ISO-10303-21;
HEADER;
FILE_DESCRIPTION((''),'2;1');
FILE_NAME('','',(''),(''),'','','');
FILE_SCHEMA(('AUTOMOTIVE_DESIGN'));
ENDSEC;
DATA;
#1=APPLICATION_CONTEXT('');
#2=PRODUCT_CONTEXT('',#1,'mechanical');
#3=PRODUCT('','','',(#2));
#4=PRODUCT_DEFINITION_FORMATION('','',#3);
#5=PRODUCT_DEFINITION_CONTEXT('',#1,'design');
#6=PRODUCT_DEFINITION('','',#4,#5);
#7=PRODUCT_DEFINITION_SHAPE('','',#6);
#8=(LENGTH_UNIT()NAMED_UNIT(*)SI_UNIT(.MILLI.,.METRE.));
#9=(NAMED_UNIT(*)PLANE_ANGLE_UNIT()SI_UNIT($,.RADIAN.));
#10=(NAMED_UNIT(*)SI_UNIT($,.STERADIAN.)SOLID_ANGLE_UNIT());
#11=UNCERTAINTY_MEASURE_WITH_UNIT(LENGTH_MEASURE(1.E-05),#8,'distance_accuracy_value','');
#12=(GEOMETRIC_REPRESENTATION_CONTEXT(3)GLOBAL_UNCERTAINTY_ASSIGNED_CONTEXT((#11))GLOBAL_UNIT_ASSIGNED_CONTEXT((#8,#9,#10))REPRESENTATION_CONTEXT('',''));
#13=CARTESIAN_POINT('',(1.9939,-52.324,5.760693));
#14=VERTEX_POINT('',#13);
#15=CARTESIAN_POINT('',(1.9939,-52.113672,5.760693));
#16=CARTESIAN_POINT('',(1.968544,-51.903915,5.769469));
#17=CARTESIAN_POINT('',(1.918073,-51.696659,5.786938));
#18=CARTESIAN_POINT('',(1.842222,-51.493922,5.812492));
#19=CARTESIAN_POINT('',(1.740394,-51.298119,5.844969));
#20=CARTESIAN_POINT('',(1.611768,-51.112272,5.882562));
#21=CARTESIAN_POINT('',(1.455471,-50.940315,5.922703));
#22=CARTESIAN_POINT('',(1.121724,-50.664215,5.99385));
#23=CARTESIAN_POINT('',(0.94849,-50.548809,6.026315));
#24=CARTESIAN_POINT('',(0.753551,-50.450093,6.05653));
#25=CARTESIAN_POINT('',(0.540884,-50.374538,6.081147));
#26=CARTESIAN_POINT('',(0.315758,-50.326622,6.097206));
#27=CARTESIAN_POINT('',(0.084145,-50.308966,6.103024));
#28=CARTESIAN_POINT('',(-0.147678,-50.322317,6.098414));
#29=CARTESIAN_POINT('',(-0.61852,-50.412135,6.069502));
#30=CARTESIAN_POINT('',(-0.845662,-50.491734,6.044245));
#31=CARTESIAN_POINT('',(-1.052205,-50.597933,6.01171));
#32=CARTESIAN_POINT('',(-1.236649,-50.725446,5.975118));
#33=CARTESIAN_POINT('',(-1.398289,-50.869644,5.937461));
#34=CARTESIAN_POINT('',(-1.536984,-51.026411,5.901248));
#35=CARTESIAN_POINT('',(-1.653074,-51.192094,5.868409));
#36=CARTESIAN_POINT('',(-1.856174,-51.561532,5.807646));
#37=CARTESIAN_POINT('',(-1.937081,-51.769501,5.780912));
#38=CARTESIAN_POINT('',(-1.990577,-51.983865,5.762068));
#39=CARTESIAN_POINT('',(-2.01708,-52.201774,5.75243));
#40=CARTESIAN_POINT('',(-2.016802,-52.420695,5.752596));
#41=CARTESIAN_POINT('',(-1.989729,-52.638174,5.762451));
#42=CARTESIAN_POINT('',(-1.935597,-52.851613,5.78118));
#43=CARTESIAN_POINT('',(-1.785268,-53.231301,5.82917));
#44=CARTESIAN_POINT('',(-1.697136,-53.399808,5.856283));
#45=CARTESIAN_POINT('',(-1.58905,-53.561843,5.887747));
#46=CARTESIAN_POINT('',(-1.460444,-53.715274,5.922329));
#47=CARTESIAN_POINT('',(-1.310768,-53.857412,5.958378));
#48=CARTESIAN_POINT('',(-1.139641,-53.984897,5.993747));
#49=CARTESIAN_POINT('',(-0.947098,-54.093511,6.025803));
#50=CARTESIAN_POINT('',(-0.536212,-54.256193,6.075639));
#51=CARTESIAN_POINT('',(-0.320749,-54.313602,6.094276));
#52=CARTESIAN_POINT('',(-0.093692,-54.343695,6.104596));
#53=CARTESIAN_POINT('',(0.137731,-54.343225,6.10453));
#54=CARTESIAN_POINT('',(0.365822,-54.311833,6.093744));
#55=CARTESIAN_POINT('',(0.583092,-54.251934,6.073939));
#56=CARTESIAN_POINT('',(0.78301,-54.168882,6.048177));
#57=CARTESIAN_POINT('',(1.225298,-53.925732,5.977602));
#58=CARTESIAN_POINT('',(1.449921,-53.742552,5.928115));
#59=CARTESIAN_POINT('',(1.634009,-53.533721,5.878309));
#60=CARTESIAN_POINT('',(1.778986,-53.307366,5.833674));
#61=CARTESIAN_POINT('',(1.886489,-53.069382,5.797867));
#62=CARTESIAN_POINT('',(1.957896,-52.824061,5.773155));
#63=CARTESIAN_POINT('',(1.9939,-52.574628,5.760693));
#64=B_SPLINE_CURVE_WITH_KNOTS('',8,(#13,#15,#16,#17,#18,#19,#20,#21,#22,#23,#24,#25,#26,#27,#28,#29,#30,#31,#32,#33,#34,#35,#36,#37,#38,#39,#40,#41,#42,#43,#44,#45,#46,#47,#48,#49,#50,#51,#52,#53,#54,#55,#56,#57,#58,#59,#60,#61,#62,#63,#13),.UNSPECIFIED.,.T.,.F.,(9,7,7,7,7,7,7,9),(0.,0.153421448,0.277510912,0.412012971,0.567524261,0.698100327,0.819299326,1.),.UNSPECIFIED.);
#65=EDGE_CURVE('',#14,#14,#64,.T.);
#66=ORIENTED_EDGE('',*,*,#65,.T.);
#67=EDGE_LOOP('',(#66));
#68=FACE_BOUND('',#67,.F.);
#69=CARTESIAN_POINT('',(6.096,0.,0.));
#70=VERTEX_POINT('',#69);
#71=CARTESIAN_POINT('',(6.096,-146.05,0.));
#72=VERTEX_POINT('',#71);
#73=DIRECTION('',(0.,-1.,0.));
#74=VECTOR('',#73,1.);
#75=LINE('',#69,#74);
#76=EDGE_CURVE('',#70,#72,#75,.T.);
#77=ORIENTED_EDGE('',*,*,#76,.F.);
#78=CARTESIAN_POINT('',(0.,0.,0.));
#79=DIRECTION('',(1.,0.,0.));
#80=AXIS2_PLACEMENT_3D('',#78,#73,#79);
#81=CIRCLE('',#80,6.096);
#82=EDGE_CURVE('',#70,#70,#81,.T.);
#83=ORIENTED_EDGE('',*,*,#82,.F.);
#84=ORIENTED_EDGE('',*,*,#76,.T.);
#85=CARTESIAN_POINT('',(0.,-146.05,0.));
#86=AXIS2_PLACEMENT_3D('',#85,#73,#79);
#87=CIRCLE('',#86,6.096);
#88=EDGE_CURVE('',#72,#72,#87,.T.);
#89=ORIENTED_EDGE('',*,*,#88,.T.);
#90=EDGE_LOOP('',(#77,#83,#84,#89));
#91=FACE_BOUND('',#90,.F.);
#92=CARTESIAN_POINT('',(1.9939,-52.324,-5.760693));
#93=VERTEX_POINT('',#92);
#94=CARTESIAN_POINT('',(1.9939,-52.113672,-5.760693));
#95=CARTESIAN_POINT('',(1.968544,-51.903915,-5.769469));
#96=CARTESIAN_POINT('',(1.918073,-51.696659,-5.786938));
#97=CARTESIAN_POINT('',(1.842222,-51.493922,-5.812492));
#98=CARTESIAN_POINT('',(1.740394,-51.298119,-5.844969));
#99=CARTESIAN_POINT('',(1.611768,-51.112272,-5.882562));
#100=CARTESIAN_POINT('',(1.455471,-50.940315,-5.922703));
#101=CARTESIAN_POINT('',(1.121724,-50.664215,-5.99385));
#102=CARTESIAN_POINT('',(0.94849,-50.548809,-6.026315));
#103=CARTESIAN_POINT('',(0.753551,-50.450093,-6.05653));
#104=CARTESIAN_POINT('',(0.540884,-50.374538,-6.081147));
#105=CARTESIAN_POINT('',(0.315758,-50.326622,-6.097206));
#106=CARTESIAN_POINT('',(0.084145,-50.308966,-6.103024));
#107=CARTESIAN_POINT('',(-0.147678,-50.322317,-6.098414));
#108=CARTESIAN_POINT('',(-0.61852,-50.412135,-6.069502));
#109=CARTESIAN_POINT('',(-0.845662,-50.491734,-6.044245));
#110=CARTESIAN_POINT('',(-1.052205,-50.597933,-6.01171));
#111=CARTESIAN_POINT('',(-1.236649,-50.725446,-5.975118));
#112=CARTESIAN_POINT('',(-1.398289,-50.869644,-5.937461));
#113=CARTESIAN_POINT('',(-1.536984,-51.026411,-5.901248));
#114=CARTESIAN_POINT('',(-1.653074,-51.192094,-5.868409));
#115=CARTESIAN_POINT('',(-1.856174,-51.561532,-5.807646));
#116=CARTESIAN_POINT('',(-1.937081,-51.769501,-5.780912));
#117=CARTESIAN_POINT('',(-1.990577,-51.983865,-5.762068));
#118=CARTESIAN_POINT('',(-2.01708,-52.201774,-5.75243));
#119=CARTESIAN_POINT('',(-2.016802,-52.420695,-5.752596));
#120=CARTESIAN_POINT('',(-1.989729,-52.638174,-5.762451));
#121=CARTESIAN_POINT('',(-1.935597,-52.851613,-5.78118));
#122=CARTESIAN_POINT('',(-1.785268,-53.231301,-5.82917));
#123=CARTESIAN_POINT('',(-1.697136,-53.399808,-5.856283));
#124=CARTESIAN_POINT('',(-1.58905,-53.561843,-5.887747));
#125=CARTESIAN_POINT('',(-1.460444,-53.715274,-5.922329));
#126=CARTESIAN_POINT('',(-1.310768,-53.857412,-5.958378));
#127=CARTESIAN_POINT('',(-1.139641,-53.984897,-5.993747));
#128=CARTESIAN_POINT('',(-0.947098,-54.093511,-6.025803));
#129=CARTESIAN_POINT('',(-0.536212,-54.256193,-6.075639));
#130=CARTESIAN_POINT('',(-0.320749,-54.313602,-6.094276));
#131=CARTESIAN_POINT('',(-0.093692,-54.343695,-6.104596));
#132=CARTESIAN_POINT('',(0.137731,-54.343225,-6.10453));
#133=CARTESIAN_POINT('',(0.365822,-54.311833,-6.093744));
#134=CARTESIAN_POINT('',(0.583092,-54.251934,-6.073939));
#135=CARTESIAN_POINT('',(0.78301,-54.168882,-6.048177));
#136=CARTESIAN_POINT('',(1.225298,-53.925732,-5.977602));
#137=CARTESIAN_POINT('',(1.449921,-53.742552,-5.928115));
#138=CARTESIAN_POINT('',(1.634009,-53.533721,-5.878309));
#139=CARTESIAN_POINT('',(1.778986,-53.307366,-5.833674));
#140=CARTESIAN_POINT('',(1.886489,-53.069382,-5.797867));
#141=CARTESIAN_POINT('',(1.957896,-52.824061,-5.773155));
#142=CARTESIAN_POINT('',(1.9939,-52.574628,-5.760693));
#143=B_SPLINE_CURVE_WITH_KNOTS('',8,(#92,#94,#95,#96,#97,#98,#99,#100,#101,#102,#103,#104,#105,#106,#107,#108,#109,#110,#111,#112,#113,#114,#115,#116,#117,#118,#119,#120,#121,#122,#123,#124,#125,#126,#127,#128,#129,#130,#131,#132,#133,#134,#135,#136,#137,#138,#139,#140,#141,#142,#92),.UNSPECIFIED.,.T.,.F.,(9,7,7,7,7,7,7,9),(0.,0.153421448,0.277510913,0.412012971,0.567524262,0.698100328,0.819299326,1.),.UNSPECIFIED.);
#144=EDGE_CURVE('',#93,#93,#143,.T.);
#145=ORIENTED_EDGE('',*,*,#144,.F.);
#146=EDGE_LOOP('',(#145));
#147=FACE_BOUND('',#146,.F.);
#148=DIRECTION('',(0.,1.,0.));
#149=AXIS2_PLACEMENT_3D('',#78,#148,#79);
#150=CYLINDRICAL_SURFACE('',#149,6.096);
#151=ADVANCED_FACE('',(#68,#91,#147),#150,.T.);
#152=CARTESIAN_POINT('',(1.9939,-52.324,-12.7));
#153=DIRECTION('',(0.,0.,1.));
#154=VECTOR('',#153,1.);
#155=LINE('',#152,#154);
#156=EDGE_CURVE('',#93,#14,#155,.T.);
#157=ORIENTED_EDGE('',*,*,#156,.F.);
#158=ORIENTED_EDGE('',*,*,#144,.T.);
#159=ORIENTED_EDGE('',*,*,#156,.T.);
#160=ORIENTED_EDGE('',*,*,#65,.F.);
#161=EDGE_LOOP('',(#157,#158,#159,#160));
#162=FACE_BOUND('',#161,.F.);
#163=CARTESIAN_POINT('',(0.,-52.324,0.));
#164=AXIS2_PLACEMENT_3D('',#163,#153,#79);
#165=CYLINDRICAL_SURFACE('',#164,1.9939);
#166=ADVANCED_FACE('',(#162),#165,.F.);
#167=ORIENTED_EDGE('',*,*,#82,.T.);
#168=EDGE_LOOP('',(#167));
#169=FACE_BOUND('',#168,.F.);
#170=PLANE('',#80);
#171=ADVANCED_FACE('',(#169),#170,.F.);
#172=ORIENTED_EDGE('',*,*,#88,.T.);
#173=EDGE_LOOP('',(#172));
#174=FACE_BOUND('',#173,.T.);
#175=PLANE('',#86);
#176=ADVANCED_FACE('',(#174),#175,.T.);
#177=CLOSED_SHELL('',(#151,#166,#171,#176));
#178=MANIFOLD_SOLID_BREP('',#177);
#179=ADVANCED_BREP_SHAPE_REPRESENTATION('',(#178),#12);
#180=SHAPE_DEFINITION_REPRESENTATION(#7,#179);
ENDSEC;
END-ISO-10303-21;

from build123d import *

# Parameters (mm, degrees)
F0_R     = 6.096
F1_DEPTH = 146.05
F2_R     = 1.9939
F3_DEPTH = 12.7


with BuildPart() as f1:
    # F0 (on Front) → F1 (new body)
    with BuildSketch(Plane.XZ):
        Circle(F0_R)
    extrude(amount=F1_DEPTH)

    # F2 (on Top) → F3 (cut, symmetric)
    with BuildSketch(Plane.XY):
        with Locations((0, -52.324)):
            Circle(F2_R)
    extrude(amount=F3_DEPTH, both=True, mode=Mode.SUBTRACT)


solid = f1.part
